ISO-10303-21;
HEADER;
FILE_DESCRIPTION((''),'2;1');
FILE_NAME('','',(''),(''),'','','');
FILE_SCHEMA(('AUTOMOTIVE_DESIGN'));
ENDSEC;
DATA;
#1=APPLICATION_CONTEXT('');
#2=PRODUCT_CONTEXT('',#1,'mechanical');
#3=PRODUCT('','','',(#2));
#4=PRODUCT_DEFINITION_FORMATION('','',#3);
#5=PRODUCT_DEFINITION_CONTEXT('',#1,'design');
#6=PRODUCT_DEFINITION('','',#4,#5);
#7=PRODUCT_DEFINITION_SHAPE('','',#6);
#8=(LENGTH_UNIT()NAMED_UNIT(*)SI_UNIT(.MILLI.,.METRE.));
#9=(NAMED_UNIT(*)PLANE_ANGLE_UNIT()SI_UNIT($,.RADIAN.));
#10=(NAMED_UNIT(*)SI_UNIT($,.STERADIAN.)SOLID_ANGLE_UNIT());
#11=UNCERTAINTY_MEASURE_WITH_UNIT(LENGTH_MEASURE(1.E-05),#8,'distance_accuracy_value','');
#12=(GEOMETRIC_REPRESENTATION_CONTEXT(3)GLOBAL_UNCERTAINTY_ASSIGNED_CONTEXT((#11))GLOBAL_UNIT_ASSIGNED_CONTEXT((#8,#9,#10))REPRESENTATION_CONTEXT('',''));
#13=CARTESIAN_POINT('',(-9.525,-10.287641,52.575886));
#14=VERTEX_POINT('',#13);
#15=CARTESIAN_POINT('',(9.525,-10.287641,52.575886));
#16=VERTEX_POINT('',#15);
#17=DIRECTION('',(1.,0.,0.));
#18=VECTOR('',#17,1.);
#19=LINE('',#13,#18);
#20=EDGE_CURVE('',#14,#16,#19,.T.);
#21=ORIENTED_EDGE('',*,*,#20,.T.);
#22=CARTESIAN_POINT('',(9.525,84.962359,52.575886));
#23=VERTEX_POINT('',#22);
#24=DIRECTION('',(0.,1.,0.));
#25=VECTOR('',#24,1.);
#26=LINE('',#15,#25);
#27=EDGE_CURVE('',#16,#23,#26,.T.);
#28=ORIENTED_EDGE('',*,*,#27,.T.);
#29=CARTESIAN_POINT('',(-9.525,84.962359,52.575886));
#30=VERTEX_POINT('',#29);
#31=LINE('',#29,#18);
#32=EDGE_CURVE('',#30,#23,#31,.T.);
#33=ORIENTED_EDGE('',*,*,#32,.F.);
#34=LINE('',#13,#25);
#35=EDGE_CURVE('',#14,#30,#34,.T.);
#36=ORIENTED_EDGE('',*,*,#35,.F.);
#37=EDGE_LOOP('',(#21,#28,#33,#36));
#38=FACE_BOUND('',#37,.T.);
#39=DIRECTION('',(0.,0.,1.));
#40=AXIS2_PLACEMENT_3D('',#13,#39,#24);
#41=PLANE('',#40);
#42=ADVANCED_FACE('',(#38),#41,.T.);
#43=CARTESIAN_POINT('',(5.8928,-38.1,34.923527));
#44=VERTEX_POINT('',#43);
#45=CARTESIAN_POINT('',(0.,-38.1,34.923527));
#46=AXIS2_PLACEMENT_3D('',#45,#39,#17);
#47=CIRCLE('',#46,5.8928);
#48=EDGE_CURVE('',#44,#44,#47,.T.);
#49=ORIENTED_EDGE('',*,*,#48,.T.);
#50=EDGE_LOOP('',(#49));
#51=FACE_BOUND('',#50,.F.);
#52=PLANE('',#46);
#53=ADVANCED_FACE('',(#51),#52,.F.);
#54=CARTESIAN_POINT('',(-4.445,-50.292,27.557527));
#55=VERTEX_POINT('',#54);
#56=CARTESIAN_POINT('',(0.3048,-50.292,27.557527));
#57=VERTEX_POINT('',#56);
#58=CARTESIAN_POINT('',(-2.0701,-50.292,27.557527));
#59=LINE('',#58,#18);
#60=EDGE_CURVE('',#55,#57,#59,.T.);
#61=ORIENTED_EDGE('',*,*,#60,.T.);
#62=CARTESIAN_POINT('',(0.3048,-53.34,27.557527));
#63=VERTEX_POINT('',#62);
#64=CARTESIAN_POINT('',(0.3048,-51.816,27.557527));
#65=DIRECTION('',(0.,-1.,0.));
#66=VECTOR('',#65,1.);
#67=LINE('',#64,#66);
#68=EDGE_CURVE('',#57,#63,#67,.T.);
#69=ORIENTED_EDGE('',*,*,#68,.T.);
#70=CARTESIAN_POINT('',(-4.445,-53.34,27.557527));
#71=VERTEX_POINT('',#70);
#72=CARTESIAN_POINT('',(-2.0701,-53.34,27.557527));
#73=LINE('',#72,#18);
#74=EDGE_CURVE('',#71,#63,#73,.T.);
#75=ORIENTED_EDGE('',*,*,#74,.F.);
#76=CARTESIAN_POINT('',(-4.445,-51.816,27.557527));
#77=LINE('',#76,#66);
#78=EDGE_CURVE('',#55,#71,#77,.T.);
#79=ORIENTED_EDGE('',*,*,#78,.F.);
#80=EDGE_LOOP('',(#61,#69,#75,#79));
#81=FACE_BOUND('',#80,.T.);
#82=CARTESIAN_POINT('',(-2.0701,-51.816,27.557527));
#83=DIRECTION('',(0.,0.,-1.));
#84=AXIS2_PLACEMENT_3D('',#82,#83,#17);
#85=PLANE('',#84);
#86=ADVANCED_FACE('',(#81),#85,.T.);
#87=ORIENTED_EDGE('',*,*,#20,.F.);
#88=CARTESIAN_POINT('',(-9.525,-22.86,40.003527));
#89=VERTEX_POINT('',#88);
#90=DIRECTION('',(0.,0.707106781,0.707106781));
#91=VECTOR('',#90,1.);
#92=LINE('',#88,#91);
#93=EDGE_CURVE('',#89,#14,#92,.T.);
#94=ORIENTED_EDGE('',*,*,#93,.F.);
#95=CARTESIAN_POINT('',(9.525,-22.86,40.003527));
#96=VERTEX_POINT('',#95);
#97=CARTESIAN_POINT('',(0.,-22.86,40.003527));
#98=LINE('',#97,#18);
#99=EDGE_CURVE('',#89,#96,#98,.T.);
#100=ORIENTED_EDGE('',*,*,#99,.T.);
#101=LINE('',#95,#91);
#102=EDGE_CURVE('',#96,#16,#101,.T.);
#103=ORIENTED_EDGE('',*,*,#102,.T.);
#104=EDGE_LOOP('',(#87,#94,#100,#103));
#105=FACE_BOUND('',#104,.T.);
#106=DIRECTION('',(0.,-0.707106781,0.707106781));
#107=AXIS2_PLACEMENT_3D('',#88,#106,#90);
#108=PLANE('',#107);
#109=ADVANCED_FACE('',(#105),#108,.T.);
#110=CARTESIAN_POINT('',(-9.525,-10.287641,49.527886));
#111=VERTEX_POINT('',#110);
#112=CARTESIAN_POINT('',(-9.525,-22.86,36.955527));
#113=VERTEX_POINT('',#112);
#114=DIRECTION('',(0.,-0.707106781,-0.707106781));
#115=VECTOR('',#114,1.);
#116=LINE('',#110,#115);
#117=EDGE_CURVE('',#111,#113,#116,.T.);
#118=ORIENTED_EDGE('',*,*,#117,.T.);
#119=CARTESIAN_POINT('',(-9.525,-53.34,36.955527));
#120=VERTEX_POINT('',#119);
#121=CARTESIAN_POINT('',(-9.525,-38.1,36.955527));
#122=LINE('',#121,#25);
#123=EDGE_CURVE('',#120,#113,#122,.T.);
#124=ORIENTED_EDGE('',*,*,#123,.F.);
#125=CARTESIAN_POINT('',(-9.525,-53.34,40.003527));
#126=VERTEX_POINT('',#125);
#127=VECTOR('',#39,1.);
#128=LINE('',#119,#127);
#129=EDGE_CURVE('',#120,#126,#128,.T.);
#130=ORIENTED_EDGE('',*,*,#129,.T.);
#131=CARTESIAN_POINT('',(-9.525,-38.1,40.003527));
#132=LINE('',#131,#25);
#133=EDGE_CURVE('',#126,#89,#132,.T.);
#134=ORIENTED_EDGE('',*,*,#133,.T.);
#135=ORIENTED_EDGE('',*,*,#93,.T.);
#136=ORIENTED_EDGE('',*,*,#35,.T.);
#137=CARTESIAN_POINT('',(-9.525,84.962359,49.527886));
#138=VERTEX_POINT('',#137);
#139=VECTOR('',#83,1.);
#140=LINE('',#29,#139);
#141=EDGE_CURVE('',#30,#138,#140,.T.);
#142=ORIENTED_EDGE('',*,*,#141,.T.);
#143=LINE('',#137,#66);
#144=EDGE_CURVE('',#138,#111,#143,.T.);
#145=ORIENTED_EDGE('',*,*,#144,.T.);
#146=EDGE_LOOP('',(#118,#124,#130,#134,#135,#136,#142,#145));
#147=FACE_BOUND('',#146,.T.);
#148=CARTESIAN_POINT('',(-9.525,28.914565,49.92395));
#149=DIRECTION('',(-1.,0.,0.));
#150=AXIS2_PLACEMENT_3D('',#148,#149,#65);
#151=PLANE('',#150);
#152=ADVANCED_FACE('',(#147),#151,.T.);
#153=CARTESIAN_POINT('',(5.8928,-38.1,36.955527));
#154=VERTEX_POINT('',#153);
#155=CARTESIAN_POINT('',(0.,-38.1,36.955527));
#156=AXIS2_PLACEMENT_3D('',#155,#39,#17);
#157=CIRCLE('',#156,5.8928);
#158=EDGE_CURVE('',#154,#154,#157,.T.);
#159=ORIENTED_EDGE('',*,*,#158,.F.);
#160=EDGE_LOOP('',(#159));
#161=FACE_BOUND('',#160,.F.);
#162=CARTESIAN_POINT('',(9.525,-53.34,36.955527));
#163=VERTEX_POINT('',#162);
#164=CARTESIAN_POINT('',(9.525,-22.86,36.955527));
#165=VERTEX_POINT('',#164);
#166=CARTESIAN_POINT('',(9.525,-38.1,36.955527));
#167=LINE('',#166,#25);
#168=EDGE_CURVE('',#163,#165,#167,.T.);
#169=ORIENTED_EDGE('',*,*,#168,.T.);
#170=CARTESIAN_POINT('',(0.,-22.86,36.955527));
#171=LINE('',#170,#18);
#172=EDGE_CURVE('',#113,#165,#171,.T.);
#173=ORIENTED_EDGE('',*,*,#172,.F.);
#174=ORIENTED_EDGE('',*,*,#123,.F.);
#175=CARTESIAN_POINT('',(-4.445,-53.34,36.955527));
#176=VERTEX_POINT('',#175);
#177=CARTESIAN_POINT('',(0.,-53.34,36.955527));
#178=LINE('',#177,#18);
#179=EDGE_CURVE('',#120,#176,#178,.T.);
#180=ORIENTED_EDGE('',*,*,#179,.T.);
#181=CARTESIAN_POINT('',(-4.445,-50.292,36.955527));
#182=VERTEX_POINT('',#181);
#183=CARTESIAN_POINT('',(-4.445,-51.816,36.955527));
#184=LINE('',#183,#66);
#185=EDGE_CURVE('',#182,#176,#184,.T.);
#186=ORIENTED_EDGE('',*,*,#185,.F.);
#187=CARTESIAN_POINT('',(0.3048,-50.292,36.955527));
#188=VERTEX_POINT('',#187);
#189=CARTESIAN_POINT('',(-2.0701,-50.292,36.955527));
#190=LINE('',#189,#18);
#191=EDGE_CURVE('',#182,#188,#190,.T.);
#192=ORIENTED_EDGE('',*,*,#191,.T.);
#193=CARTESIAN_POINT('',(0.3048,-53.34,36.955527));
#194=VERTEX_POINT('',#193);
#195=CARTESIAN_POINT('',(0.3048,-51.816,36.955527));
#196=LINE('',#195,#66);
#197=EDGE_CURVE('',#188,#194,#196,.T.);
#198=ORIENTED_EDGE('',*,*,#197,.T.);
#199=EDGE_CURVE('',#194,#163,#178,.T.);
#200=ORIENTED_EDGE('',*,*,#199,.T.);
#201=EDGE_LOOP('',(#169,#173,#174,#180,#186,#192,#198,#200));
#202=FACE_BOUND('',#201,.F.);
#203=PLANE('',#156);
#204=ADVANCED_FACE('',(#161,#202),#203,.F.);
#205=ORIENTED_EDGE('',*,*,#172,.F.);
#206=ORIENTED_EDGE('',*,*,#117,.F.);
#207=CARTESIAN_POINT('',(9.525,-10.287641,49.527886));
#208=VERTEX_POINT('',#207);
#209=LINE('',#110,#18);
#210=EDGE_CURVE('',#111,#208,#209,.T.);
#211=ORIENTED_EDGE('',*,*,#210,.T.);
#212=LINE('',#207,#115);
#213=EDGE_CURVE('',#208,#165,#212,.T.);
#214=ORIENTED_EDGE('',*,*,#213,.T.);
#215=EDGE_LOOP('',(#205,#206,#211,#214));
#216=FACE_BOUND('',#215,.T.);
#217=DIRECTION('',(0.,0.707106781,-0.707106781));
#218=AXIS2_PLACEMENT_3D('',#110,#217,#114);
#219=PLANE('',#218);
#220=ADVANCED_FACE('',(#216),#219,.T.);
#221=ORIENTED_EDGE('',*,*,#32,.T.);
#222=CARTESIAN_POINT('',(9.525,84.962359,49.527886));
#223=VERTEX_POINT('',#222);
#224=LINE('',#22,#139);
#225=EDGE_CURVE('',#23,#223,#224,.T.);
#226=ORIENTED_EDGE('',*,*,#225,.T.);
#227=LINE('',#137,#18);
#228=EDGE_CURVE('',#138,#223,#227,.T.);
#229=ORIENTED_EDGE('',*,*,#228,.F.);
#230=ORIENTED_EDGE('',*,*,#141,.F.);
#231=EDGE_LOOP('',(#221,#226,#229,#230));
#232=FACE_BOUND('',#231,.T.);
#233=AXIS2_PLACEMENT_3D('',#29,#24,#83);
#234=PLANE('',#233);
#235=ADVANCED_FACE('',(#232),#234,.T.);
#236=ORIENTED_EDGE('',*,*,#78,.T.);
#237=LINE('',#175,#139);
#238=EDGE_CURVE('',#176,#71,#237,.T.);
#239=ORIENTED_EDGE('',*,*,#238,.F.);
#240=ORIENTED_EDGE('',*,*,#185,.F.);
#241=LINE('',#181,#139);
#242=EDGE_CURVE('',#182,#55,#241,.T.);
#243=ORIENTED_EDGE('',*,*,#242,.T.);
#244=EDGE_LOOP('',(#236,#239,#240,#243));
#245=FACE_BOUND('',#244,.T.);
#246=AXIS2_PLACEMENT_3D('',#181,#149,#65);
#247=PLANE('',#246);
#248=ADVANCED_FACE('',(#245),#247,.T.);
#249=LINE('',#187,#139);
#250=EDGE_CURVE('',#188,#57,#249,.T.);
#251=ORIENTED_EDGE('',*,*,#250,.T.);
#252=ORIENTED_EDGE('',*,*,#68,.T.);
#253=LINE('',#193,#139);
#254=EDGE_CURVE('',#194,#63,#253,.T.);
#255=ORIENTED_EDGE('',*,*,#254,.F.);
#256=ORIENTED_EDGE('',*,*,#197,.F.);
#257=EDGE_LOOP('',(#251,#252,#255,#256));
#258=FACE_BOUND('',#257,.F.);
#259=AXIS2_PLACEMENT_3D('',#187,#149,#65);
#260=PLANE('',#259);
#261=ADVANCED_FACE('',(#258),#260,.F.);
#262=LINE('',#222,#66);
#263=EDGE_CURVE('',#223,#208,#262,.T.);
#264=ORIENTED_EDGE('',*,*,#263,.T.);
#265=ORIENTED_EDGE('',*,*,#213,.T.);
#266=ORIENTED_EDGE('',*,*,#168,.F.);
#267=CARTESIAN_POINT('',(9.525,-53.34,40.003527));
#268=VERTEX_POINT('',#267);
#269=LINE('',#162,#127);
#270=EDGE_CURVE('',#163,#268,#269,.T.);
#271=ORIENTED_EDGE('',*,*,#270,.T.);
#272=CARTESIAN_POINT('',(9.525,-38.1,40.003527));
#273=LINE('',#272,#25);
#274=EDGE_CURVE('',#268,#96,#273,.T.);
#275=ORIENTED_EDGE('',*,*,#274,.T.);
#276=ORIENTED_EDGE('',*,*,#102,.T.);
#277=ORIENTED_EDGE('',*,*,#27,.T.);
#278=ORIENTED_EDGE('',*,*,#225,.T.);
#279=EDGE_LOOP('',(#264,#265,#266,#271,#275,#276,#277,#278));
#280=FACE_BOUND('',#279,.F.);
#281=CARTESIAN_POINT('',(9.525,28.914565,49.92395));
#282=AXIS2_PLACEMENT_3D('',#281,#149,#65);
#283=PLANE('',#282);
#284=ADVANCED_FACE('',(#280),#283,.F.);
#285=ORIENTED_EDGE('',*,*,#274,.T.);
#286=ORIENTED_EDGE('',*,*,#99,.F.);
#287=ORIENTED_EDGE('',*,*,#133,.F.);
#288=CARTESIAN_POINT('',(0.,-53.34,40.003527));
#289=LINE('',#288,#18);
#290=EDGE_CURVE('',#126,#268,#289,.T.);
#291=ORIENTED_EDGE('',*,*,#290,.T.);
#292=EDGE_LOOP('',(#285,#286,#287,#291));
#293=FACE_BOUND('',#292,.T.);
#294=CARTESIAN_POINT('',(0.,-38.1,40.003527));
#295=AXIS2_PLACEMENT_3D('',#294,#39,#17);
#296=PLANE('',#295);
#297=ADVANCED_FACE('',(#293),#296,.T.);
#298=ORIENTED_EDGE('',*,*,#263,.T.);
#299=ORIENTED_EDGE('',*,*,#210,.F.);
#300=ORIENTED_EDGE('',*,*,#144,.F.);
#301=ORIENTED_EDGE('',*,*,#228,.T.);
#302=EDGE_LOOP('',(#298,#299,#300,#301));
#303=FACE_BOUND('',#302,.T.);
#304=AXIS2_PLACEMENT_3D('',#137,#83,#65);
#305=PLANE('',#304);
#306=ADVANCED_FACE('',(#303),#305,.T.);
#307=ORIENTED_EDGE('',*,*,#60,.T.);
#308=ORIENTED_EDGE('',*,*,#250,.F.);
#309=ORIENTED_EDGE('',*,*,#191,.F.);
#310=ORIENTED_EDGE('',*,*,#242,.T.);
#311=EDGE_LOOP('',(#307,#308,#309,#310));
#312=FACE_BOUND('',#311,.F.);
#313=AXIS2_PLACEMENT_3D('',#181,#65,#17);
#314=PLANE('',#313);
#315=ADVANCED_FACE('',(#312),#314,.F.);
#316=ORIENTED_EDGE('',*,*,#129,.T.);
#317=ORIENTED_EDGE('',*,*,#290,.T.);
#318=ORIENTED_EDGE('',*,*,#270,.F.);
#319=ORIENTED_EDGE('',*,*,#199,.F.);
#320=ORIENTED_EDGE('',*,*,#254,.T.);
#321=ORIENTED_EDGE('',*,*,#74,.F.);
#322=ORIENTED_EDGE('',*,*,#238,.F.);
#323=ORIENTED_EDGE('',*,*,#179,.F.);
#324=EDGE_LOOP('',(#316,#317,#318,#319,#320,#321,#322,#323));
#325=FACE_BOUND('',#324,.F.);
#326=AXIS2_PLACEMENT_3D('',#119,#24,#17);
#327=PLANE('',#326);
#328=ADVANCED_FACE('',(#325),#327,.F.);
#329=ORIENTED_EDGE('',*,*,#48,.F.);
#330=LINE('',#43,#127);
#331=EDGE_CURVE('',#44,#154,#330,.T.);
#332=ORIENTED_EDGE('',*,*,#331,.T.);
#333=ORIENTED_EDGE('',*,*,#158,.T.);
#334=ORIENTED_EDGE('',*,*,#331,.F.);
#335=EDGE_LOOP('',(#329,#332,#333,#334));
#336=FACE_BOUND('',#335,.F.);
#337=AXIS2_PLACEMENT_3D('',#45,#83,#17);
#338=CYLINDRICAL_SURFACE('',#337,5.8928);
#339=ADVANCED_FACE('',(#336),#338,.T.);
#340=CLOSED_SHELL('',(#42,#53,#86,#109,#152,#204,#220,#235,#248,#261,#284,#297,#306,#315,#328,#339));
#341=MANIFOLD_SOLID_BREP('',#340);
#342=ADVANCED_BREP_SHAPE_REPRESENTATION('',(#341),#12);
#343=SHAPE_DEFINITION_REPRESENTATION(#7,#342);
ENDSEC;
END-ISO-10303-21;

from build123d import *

# Parameters (mm, degrees)
CYLINDER003_R     = 5.8928
CYLINDER003_DEPTH = 2.032
SKETCH003_W       = 19.05
SKETCH003_H       = 30.48
PAD_DEPTH         = 3.048
PAD001_DEPTH      = 19.05
SKETCH005_W       = 4.7498
SKETCH005_H       = 3.048
PAD002_DEPTH      = 9.398


with BuildPart() as part:
    # Cylinder003 → Cylinder003 (new body)
    with BuildSketch(Plane(origin=(0, -38.1, 34.923527), x_dir=(1, 0, 0), z_dir=(0, 0, 1))):
        Circle(CYLINDER003_R)
    extrude(amount=CYLINDER003_DEPTH)

    # Sketch003 → Pad (new body)
    with BuildSketch(Plane(origin=(0, -38.1, 36.955527), x_dir=(1, 0, 0), z_dir=(0, 0, 1))):
        Rectangle(SKETCH003_W, SKETCH003_H)
    extrude(amount=PAD_DEPTH)

    # Sketch004 → Pad001 (new body)
    with BuildSketch(Plane(origin=(-9.525, -38.1, 34.923527), x_dir=(0, -1, 0), z_dir=(-1, 0, 0))):
        Polygon((-15.24, 5.08), (-27.812359, 17.652359), (-123.062359, 17.652359), (-123.062359, 14.604359), (-27.812359, 14.604359), (-15.24, 2.032), align=None)
    extrude(amount=-PAD001_DEPTH)

    # Sketch005 → Pad002 (new body)
    with BuildSketch(Plane(origin=(0, -38.1, 36.955527), x_dir=(1, 0, 0), z_dir=(0, 0, -1))):
        with Locations((-2.0701, 13.716)):
            Rectangle(SKETCH005_W, SKETCH005_H)
    extrude(amount=PAD002_DEPTH)


solid = part.part
